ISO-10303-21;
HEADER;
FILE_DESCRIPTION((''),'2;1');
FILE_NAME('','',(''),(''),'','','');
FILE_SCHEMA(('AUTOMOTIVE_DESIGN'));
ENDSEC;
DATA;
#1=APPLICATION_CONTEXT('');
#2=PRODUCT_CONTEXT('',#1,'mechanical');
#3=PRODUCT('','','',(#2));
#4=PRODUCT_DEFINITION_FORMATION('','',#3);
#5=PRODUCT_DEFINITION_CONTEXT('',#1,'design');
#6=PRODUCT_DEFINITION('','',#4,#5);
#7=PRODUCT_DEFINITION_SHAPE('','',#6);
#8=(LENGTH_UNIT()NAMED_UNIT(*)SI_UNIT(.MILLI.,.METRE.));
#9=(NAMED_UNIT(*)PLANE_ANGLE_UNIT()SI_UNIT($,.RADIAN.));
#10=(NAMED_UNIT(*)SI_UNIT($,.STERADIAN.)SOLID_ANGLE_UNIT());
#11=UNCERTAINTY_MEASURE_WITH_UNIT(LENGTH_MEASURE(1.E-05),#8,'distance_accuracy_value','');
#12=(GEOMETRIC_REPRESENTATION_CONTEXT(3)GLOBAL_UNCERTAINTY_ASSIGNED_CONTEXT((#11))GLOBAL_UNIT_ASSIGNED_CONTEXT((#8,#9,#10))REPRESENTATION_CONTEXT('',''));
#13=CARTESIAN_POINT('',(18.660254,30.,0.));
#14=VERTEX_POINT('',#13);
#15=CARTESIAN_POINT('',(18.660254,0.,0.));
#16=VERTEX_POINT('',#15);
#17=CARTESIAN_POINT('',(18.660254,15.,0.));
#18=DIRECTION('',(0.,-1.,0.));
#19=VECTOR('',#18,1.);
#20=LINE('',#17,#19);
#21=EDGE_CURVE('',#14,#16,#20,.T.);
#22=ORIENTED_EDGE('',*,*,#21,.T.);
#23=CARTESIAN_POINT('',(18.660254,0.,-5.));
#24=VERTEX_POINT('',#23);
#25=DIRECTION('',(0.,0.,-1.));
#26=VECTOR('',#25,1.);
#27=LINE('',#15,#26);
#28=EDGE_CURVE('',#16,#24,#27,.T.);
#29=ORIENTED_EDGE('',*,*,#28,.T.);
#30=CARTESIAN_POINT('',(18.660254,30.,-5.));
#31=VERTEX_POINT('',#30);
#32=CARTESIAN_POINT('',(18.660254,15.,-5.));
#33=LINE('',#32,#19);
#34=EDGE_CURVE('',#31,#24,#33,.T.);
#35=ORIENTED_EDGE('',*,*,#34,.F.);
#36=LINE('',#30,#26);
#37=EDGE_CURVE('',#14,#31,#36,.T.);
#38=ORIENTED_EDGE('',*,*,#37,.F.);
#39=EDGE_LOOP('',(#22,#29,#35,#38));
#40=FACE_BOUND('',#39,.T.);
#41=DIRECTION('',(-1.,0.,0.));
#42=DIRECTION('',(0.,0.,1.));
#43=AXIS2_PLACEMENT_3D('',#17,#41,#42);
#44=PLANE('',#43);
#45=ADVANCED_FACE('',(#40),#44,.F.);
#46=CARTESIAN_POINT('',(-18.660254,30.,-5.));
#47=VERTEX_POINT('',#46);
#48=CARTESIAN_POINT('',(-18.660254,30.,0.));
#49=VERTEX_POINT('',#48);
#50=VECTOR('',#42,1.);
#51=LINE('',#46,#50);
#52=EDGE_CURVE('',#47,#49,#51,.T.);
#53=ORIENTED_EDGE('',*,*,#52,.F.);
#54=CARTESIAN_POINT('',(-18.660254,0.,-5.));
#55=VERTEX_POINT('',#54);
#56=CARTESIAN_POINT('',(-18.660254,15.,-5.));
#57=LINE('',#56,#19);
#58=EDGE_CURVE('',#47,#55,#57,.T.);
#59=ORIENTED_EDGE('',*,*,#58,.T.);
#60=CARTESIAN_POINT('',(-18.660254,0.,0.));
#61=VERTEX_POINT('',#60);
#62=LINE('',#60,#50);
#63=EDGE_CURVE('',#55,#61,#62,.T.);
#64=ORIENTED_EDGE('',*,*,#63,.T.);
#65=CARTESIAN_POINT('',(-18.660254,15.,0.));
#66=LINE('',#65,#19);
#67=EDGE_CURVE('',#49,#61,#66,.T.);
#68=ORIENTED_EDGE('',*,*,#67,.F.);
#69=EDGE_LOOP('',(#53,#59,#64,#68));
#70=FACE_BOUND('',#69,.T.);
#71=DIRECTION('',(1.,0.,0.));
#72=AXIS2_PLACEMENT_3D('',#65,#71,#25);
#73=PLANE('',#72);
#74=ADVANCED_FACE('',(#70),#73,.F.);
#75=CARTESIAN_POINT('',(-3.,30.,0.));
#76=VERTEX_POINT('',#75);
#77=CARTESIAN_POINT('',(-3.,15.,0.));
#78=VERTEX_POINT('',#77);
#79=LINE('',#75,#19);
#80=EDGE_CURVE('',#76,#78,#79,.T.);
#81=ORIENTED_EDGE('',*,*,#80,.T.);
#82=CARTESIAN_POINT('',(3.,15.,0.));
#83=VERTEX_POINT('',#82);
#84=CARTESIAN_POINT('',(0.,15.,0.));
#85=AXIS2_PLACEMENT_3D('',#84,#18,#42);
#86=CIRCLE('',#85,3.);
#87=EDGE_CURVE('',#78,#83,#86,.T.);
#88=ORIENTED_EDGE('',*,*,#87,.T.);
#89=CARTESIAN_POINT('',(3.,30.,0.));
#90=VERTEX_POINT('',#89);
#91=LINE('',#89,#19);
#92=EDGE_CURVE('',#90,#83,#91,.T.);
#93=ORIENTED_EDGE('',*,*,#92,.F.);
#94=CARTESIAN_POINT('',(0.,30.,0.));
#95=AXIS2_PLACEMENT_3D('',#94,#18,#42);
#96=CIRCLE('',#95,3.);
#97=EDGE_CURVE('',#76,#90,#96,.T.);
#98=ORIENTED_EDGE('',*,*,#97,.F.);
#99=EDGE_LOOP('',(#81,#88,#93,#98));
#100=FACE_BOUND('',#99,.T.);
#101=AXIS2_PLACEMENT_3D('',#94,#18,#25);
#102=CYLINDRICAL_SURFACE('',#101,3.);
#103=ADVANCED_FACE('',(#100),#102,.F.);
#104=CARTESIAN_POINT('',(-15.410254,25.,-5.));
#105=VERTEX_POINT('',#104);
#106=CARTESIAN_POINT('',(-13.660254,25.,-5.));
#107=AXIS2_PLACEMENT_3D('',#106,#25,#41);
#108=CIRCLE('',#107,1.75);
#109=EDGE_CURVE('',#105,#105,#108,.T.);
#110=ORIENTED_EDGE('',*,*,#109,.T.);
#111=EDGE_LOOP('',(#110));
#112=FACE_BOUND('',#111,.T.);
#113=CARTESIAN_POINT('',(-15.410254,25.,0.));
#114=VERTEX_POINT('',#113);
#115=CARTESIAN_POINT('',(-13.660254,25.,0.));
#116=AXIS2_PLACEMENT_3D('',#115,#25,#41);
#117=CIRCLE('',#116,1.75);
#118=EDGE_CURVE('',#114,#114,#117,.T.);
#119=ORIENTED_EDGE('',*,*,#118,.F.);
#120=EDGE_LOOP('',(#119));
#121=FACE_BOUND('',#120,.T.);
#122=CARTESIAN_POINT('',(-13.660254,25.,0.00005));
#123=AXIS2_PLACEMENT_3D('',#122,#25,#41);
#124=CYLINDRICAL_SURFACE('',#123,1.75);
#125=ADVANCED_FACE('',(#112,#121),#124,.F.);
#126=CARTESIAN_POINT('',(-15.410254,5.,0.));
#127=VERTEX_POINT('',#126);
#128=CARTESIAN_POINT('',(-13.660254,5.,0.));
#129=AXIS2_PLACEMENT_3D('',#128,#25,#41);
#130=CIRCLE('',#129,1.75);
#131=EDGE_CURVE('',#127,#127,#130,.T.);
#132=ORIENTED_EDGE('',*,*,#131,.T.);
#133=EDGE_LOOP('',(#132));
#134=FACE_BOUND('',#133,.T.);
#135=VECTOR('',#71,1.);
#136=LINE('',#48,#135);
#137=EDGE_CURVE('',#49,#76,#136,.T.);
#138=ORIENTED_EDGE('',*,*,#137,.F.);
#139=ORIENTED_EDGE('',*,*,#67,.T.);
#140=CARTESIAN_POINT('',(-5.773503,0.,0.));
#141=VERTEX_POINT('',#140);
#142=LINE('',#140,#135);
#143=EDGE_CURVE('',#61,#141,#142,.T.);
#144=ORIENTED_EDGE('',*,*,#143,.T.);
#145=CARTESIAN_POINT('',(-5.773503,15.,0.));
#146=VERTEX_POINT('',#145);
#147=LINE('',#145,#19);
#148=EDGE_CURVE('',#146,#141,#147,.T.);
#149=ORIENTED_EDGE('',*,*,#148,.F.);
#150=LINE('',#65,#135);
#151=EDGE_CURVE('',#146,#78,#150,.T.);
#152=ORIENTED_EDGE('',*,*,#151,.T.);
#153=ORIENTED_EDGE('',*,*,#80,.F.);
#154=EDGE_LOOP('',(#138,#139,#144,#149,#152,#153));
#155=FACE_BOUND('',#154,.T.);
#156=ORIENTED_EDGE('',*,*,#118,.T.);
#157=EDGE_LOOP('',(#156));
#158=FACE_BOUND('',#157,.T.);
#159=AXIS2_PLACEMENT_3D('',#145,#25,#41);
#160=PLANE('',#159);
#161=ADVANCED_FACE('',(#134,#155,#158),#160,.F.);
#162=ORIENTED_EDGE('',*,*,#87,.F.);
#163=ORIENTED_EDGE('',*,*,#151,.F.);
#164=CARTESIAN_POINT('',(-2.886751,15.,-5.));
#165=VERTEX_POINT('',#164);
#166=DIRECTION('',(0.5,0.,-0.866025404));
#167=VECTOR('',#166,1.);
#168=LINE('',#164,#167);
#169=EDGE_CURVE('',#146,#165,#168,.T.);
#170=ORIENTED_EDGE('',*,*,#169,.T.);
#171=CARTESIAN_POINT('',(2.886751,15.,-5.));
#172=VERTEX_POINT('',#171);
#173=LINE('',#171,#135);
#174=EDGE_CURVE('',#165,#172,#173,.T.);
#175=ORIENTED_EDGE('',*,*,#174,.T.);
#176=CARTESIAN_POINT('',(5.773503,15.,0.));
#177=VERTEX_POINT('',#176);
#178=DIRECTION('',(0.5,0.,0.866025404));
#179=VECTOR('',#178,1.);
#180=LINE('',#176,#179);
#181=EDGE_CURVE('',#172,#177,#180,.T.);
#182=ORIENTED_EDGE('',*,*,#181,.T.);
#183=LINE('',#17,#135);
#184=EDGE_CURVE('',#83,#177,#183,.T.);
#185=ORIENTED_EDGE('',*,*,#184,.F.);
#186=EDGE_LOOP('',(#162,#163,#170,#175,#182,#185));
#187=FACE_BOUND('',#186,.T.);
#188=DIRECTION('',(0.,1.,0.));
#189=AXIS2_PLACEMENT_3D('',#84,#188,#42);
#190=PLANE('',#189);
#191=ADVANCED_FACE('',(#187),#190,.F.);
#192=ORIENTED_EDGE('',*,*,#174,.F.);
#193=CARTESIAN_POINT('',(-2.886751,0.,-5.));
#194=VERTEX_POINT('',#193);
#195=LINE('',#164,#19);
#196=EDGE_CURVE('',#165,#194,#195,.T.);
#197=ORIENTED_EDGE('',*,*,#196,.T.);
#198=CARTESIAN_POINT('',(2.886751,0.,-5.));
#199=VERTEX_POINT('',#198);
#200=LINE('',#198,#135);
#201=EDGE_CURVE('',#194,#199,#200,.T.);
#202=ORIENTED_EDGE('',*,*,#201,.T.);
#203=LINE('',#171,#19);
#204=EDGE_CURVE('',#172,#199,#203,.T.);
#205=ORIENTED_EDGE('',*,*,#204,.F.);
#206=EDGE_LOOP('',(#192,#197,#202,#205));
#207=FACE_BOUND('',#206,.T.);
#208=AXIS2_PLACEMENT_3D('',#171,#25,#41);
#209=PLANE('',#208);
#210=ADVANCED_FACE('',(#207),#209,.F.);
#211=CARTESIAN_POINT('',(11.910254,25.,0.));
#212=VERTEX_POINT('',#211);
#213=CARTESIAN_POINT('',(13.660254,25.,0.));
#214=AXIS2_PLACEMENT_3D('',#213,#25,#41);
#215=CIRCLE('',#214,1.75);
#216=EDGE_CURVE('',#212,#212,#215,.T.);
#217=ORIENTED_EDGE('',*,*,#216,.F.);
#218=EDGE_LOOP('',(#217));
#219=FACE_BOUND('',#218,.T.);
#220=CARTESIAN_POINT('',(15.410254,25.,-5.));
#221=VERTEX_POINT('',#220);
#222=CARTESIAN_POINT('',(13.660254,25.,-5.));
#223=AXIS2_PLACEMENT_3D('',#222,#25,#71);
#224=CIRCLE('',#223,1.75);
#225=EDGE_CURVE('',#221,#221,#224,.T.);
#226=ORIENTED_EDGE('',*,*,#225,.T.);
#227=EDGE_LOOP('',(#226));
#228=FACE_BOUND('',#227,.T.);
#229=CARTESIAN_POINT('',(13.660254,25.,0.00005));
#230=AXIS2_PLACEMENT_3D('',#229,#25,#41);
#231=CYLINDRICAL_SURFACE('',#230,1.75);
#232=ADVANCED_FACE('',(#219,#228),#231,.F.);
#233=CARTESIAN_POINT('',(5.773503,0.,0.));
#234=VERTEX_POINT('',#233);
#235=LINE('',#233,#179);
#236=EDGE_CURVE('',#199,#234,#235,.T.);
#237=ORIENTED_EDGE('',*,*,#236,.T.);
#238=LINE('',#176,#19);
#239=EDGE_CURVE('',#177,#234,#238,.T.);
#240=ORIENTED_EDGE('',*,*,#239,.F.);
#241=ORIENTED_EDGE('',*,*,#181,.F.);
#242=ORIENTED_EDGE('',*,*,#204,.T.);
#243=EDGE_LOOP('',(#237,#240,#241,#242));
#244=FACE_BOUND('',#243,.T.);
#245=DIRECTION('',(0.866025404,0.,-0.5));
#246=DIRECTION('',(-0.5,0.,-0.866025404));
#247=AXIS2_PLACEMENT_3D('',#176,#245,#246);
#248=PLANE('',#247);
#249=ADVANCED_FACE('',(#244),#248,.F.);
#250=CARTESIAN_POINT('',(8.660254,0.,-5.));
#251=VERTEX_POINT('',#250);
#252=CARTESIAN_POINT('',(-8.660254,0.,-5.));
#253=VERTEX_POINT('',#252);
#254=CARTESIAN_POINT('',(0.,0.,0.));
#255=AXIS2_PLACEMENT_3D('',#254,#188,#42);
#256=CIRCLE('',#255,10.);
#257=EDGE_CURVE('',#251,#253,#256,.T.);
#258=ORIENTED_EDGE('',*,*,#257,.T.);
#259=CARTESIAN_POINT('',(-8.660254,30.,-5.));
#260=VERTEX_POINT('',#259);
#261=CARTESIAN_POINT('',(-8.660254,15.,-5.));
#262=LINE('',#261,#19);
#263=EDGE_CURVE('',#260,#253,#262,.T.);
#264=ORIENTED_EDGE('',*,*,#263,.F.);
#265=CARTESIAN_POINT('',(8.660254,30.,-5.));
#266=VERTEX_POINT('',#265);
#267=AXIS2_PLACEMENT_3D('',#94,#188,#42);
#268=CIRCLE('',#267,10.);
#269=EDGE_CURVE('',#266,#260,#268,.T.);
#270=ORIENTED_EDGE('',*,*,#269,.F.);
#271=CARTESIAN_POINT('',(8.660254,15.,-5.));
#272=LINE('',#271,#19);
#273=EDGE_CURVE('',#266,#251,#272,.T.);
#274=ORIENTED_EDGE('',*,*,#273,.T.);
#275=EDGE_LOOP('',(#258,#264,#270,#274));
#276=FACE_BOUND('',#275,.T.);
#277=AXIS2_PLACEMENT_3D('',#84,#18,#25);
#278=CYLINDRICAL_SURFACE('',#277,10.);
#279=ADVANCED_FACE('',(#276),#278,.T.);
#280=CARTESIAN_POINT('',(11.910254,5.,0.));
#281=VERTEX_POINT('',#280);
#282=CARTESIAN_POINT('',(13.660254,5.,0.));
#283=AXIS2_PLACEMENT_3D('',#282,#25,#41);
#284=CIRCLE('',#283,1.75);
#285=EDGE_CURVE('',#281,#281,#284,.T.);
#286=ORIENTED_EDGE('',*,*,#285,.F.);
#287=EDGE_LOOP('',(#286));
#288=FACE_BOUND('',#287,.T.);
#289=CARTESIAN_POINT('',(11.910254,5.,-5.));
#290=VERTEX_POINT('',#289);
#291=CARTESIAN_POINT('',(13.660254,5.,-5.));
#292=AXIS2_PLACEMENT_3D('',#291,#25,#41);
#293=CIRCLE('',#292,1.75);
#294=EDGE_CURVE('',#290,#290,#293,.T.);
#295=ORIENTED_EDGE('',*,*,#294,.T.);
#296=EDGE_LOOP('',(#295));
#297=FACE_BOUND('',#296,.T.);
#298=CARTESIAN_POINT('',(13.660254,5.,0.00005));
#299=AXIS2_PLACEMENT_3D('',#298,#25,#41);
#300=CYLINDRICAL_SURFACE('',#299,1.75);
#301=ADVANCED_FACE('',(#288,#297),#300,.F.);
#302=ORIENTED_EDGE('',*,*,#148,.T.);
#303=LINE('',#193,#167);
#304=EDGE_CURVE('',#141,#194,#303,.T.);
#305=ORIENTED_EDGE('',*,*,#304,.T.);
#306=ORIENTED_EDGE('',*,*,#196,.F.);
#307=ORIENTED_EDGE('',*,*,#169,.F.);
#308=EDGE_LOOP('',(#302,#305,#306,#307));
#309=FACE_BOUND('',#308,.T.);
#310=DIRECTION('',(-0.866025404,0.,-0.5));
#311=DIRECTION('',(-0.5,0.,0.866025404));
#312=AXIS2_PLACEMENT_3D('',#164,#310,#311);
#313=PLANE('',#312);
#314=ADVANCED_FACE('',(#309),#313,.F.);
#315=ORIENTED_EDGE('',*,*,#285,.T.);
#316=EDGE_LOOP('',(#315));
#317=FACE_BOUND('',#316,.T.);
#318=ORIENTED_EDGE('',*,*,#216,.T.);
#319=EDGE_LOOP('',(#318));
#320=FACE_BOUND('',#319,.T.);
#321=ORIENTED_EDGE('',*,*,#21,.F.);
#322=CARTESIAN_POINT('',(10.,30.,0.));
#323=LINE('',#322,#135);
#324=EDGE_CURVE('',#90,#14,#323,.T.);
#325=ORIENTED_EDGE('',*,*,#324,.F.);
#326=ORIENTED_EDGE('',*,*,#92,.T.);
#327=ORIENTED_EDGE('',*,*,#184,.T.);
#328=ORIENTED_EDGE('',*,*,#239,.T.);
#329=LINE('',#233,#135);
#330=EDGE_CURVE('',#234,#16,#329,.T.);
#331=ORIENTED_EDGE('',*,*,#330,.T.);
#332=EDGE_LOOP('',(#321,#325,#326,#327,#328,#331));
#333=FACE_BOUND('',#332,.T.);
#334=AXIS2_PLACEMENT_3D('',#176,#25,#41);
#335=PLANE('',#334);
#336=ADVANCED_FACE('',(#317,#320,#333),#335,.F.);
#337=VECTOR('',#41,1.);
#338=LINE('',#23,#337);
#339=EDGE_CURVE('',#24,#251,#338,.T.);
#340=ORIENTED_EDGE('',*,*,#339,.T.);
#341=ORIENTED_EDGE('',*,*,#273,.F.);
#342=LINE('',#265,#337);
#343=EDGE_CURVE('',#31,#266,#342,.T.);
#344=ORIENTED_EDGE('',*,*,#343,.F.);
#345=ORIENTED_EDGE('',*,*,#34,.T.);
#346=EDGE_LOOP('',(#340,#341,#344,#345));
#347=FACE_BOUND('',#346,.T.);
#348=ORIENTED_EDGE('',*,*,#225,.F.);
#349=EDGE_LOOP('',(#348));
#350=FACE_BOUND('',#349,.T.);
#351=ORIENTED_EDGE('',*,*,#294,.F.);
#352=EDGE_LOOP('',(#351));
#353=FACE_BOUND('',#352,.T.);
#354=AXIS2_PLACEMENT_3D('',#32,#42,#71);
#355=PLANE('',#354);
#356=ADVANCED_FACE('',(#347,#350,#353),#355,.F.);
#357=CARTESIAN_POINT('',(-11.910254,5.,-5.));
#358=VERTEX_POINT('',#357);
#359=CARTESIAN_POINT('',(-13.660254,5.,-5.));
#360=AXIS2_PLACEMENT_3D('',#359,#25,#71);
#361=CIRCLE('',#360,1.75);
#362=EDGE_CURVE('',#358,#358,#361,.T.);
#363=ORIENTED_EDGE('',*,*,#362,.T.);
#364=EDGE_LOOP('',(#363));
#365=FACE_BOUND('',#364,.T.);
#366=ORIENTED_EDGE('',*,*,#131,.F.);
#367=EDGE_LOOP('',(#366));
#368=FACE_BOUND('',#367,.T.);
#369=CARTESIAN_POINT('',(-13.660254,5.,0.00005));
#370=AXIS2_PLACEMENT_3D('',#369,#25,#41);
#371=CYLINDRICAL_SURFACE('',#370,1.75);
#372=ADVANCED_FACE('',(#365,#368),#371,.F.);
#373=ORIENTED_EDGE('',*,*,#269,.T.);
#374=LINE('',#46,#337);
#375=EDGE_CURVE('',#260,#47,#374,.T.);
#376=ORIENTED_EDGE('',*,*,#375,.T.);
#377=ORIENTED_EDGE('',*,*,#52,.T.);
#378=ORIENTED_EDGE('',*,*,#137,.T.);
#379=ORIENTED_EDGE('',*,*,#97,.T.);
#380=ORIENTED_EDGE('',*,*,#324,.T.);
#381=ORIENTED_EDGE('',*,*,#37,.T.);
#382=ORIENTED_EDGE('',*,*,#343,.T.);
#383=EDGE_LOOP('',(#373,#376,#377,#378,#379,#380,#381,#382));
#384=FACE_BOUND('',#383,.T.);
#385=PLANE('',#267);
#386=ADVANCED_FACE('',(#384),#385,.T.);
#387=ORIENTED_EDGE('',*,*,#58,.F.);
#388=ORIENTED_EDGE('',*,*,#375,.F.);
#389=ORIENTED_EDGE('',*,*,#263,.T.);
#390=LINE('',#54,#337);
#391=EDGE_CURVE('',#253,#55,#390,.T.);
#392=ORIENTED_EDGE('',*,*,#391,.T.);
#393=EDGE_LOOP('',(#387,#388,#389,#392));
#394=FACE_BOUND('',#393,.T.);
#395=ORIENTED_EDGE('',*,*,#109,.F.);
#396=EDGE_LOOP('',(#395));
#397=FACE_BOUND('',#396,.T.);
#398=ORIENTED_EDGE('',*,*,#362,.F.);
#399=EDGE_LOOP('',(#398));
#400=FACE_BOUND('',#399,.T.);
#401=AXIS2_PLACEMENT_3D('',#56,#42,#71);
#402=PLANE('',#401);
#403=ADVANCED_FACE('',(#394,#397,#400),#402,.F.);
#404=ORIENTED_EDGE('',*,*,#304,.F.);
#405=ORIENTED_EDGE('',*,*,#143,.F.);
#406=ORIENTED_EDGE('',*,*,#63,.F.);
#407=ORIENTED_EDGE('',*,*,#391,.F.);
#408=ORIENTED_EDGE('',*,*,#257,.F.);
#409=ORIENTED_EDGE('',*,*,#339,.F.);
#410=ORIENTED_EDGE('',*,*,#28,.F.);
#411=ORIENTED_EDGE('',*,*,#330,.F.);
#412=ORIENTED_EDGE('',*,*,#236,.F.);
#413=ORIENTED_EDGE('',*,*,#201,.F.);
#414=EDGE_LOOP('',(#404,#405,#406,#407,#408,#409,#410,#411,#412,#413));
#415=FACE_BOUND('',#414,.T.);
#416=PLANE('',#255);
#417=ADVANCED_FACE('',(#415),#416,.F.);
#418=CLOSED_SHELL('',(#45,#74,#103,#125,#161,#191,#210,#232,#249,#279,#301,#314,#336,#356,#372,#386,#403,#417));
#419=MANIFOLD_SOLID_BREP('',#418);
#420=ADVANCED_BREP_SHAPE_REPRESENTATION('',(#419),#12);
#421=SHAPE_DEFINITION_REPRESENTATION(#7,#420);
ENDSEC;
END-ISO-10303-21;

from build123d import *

# Parameters (mm, degrees)
EXTRUDE_1_DEPTH     = 15
EXTRUDE_2_DEPTH     = 15
SKETCH_3_R          = 1.75
CUT_EXTRUDE_1_DEPTH = 6


with BuildPart() as part:
    # Эскиз1 → Бобышка-Вытянуть1 (new body)
    with BuildSketch(Plane(origin=(0, 0, 0), x_dir=(1, 0, 0), z_dir=(0, 1, 0))):
        with BuildLine():
            Line((-5.773502692, 0), (-18.660254038, 0))
            Line((-18.660254038, 0), (-18.660254038, 5))
            Line((-18.660254038, 5), (-8.660254038, 5))
            ThreePointArc((-8.660254038, 5), (0, 10), (8.660254038, 5))
            Line((8.660254038, 5), (18.660254038, 5))
            Line((18.660254038, 5), (18.660254038, 0))
            Line((18.660254038, 0), (5.773502692, 0))
            Line((5.773502692, 0), (2.886751346, 5))
            Line((2.886751346, 5), (-2.886751346, 5))
            Line((-2.886751346, 5), (-5.773502692, 0))
        make_face()
    extrude(amount=EXTRUDE_1_DEPTH)

    # Эскиз2 → Бобышка-Вытянуть2 (add)
    with BuildSketch(Plane(origin=(0, 15, 0), x_dir=(1, 0, 0), z_dir=(0, 1, 0))):
        with BuildLine():
            Line((-18.660254038, 5), (-8.660254038, 5))
            ThreePointArc((-8.660254038, 5), (0, 10), (8.660254038, 5))
            Line((8.660254038, 5), (18.660254038, 5))
            Line((18.660254038, 5), (18.660254038, 0))
            Line((18.660254038, 0), (10, 0))
            Line((10, 0), (3, 0))
            ThreePointArc((3, 0), (0, 3), (-3, 0))
            Line((-3, 0), (-18.660254038, 0))
            Line((-18.660254038, 0), (-18.660254038, 5))
        make_face()
    extrude(amount=EXTRUDE_2_DEPTH)

    # Эскиз3 → Вырез-Вытянуть1 (cut, through all)
    with BuildSketch(Plane(origin=(0, 0, -5), x_dir=(-1, 0, 0), z_dir=(0, 0, -1))):
        with Locations((-13.660254038, 5)):
            Circle(SKETCH_3_R)
        with Locations((-13.660254038, 25)):
            Circle(SKETCH_3_R)
        with Locations((13.660254038, 5)):
            Circle(SKETCH_3_R)
        with Locations((13.660254038, 25)):
            Circle(SKETCH_3_R)
    extrude(amount=-CUT_EXTRUDE_1_DEPTH, mode=Mode.SUBTRACT)


solid = part.part
